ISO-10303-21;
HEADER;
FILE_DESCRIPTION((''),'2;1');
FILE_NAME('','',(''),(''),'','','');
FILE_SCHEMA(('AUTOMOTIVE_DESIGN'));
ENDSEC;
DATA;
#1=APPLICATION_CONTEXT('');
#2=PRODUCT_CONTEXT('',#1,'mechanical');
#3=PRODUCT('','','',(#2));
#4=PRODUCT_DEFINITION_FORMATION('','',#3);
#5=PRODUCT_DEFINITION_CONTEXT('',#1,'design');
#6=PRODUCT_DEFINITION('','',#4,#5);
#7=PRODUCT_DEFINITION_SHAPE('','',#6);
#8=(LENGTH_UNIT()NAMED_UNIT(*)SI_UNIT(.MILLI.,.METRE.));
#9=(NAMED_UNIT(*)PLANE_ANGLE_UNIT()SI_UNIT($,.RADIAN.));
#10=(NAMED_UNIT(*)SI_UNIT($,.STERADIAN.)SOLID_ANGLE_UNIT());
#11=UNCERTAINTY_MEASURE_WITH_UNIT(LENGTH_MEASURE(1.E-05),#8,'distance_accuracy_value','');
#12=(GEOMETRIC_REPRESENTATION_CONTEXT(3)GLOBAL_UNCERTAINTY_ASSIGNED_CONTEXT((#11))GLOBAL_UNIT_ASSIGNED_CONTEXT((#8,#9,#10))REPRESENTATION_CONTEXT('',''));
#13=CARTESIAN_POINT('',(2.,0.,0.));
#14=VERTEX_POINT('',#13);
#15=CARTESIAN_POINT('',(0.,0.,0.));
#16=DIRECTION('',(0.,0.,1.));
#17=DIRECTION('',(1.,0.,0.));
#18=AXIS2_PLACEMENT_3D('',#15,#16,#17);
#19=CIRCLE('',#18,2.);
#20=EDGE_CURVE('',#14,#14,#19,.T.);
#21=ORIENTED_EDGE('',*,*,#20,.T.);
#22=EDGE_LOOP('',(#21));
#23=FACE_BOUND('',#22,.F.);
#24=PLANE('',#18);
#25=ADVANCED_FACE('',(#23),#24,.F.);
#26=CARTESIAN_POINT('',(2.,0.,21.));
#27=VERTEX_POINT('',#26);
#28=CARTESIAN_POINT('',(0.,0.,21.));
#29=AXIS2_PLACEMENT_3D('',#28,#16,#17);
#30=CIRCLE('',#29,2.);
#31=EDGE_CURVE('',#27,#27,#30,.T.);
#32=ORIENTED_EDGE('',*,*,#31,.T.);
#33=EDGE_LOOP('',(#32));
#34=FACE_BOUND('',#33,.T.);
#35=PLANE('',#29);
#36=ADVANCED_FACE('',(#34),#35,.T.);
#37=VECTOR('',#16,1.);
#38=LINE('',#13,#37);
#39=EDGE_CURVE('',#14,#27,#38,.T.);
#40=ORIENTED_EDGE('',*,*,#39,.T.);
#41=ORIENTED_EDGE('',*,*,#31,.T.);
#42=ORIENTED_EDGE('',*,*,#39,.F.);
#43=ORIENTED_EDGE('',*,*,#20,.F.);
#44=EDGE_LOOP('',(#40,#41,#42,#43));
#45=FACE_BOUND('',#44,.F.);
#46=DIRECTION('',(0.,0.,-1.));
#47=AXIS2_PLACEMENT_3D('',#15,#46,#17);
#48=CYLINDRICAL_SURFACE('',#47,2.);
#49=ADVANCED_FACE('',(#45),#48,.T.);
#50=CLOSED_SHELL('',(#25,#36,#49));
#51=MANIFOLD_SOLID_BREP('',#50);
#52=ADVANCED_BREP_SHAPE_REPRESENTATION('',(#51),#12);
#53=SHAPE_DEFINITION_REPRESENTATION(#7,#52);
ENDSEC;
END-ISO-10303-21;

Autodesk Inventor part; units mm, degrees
ref_plane "YZ Plane" through (0, 0, 0) normal (1, 0, 0) x (0, 1, 0)
ref_plane "XZ Plane" through (0, 0, 0) normal (0, 1, 0) x (-1, 0, 0)
ref_plane "XY Plane" through (0, 0, 0) normal (0, 0, 1) x (1, 0, 0)
sketch "Sketch1" plane through (0, 0, 0) normal (0, 0, 1) x (1, 0, 0)
  circle A0 centre (0, 0) radius 2
  dimension "d0" = 4
extrude "Extrusion1" add sketch "Sketch1" along normal blind 21
properties part number "Spring Shafts"
